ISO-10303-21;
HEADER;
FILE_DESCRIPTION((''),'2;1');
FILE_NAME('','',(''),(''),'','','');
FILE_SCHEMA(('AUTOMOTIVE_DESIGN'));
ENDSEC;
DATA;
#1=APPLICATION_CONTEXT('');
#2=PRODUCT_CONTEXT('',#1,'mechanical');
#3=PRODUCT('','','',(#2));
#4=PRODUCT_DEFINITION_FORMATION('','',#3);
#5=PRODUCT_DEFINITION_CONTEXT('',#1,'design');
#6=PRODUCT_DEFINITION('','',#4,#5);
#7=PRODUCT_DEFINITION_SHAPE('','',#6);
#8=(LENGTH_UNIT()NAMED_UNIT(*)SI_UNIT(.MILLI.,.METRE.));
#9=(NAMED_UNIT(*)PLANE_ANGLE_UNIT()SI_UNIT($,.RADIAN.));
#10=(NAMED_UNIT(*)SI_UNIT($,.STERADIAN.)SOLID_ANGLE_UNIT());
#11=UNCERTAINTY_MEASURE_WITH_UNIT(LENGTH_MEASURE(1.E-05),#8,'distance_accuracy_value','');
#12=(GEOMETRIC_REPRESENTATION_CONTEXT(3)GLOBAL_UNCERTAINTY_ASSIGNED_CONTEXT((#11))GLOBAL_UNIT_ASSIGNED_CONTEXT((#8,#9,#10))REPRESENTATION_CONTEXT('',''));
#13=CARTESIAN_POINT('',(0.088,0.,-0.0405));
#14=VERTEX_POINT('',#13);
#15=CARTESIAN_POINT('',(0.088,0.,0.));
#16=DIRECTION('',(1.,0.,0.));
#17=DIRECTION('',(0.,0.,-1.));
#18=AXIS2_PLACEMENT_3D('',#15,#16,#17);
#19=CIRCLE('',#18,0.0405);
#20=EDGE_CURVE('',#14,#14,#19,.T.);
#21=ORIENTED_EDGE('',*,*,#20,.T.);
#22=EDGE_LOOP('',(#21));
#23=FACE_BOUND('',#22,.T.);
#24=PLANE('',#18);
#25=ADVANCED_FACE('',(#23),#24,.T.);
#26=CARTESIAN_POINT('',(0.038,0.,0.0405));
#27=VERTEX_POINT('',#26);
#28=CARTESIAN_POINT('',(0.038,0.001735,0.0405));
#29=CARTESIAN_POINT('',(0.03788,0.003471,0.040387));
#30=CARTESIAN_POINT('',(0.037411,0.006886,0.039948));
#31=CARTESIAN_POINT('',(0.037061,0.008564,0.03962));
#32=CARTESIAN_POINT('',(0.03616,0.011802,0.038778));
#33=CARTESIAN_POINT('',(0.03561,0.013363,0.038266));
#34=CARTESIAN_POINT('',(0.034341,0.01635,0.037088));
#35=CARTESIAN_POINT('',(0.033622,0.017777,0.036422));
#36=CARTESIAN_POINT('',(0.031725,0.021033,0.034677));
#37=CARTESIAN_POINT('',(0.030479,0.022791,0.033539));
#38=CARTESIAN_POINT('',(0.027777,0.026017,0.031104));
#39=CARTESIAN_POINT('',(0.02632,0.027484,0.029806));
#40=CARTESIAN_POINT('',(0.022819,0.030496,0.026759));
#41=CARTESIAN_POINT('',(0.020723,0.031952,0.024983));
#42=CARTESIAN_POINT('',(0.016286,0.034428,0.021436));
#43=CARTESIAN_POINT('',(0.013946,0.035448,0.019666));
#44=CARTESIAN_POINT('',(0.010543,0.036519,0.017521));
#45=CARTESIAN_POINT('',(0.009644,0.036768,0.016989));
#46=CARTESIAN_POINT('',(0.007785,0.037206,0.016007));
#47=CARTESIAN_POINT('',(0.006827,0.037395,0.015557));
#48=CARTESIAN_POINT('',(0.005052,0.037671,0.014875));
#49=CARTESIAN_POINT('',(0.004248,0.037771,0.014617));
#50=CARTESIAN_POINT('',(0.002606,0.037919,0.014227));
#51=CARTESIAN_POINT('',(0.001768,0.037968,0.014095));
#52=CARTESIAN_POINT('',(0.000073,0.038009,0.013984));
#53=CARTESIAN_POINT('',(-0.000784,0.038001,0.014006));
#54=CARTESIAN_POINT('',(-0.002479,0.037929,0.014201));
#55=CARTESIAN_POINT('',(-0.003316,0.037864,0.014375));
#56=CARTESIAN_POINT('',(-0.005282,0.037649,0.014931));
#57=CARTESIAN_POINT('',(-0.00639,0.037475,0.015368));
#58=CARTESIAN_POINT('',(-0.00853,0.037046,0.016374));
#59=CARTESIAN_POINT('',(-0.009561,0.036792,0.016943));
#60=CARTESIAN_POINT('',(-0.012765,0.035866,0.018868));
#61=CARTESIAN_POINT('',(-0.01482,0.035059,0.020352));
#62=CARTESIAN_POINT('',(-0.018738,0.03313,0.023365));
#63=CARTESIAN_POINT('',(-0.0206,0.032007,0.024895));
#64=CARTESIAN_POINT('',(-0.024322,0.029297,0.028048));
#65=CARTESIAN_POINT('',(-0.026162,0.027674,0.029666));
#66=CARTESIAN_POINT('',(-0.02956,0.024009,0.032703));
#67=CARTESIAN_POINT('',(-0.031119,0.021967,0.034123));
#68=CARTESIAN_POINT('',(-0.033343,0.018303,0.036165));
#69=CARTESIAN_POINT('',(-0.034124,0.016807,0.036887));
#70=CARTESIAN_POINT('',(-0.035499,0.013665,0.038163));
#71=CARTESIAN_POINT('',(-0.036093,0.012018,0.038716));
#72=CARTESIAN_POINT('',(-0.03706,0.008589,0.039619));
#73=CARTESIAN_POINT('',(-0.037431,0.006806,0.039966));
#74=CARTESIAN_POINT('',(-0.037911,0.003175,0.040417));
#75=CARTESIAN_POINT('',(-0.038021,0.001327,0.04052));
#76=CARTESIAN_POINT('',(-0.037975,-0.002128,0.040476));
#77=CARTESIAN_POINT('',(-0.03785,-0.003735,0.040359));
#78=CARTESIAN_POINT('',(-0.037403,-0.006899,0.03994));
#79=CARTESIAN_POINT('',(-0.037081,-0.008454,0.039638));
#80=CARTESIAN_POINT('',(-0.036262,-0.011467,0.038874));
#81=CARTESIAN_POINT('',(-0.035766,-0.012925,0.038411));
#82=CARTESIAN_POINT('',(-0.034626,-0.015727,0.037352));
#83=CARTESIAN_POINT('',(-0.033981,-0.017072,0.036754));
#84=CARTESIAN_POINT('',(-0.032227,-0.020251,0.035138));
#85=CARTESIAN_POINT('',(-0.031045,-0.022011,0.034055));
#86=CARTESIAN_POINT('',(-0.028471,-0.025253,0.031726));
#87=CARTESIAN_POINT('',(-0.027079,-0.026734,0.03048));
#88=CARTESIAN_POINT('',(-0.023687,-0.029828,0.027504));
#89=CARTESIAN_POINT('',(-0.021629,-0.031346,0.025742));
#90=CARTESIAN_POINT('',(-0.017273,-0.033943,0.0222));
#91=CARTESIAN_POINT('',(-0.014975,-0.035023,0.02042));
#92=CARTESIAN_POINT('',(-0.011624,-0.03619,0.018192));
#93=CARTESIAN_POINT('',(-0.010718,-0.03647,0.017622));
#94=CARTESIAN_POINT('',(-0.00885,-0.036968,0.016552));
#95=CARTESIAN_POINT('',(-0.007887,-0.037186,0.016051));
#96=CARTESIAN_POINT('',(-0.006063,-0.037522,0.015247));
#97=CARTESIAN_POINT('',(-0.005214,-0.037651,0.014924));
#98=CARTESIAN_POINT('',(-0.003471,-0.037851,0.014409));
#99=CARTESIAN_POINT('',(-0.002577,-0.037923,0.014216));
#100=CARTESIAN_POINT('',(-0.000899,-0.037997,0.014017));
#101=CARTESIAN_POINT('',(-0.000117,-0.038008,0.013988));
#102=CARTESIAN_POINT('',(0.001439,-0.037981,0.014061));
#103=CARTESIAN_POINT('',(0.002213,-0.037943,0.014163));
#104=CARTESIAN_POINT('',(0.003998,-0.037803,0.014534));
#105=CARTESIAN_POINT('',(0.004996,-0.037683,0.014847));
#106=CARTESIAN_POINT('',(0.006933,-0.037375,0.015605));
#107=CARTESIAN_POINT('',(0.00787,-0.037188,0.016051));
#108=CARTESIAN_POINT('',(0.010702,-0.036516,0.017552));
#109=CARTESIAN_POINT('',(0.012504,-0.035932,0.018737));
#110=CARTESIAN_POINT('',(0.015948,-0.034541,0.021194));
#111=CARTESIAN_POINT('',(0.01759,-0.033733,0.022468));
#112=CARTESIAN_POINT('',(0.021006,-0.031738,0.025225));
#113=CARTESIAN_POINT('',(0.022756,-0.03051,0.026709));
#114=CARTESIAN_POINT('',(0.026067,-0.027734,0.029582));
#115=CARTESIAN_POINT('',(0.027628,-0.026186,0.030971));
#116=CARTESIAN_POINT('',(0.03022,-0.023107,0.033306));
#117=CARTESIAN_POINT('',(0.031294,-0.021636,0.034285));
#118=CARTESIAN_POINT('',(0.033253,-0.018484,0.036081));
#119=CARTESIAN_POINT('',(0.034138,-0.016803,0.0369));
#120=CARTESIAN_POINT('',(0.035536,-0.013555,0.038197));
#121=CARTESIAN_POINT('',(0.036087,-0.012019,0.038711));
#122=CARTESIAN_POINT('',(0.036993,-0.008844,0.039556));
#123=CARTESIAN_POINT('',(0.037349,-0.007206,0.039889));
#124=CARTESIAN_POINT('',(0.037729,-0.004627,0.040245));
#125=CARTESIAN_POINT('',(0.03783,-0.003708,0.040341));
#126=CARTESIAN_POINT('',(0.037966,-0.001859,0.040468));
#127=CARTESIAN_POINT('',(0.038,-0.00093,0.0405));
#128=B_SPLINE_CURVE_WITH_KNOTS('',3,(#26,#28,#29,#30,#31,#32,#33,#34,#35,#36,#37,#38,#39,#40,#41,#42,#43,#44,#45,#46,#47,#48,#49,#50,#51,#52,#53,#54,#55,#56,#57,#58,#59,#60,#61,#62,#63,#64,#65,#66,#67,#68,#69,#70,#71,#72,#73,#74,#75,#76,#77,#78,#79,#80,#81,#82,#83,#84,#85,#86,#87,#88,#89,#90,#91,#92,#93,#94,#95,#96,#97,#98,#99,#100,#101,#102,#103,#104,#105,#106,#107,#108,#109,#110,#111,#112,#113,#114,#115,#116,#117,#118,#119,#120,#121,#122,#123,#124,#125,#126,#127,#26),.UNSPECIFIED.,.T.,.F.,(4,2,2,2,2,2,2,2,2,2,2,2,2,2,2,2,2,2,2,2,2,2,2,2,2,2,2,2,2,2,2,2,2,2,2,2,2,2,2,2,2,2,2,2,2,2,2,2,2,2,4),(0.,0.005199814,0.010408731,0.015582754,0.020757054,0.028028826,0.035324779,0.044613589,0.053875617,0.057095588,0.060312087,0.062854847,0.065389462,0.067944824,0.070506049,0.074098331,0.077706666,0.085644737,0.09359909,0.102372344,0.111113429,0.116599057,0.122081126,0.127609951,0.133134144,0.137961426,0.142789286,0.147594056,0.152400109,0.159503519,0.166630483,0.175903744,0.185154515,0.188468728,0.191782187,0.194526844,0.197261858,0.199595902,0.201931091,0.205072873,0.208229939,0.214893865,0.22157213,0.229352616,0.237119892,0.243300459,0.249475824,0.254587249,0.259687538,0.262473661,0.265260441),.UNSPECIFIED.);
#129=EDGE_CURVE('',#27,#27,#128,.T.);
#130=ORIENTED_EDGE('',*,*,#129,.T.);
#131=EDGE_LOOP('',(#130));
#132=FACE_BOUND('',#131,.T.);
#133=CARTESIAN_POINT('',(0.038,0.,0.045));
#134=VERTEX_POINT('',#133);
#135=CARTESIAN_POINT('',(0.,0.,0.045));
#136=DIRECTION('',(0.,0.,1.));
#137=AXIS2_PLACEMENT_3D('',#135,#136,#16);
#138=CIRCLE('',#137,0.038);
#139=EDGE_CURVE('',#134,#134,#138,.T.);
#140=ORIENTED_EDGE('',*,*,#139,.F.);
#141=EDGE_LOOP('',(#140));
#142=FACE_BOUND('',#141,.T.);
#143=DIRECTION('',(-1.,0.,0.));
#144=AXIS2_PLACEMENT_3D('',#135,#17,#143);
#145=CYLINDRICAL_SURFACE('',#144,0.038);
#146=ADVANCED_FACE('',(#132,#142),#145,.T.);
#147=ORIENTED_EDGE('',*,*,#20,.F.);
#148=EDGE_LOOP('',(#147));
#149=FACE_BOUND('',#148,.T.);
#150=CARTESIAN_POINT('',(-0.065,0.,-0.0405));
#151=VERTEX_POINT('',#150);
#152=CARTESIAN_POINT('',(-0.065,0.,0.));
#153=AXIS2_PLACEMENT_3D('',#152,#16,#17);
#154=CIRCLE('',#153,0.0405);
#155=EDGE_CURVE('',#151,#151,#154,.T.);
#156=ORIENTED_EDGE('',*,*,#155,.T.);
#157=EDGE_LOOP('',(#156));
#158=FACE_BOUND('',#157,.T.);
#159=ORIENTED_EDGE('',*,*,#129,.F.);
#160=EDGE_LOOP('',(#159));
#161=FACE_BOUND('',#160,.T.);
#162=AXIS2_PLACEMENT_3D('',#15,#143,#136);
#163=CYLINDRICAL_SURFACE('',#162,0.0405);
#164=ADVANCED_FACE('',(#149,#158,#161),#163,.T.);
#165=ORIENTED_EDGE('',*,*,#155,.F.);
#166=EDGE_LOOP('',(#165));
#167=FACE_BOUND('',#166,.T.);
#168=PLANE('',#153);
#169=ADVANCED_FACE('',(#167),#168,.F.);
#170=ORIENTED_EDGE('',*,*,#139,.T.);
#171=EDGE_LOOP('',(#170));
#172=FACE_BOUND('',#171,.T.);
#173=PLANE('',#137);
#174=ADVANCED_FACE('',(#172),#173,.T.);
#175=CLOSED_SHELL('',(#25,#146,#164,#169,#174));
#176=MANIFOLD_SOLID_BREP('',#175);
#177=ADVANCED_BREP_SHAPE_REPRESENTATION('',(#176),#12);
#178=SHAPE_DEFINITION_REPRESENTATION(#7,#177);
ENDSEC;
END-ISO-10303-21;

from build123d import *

# Parameters (mm, degrees)
BOSS_EXTRUDE1_START = -0.065
SKETCH1_R           = 0.0405
BOSS_EXTRUDE1_DEPTH = 0.153
SKETCH2_R           = 0.038
BOSS_EXTRUDE2_DEPTH = 0.045


with BuildPart() as part:
    # Sketch1 → Boss-Extrude1 (new body)
    with BuildSketch(Plane(origin=(0, 0, 0), x_dir=(0, 0, -1), z_dir=(1, 0, 0)).offset(BOSS_EXTRUDE1_START)):
        Circle(SKETCH1_R)
    extrude(amount=BOSS_EXTRUDE1_DEPTH)

    # Sketch2 → Boss-Extrude2 (add)
    with BuildSketch(Plane.XY):
        Circle(SKETCH2_R)
    extrude(amount=BOSS_EXTRUDE2_DEPTH)


solid = part.part
